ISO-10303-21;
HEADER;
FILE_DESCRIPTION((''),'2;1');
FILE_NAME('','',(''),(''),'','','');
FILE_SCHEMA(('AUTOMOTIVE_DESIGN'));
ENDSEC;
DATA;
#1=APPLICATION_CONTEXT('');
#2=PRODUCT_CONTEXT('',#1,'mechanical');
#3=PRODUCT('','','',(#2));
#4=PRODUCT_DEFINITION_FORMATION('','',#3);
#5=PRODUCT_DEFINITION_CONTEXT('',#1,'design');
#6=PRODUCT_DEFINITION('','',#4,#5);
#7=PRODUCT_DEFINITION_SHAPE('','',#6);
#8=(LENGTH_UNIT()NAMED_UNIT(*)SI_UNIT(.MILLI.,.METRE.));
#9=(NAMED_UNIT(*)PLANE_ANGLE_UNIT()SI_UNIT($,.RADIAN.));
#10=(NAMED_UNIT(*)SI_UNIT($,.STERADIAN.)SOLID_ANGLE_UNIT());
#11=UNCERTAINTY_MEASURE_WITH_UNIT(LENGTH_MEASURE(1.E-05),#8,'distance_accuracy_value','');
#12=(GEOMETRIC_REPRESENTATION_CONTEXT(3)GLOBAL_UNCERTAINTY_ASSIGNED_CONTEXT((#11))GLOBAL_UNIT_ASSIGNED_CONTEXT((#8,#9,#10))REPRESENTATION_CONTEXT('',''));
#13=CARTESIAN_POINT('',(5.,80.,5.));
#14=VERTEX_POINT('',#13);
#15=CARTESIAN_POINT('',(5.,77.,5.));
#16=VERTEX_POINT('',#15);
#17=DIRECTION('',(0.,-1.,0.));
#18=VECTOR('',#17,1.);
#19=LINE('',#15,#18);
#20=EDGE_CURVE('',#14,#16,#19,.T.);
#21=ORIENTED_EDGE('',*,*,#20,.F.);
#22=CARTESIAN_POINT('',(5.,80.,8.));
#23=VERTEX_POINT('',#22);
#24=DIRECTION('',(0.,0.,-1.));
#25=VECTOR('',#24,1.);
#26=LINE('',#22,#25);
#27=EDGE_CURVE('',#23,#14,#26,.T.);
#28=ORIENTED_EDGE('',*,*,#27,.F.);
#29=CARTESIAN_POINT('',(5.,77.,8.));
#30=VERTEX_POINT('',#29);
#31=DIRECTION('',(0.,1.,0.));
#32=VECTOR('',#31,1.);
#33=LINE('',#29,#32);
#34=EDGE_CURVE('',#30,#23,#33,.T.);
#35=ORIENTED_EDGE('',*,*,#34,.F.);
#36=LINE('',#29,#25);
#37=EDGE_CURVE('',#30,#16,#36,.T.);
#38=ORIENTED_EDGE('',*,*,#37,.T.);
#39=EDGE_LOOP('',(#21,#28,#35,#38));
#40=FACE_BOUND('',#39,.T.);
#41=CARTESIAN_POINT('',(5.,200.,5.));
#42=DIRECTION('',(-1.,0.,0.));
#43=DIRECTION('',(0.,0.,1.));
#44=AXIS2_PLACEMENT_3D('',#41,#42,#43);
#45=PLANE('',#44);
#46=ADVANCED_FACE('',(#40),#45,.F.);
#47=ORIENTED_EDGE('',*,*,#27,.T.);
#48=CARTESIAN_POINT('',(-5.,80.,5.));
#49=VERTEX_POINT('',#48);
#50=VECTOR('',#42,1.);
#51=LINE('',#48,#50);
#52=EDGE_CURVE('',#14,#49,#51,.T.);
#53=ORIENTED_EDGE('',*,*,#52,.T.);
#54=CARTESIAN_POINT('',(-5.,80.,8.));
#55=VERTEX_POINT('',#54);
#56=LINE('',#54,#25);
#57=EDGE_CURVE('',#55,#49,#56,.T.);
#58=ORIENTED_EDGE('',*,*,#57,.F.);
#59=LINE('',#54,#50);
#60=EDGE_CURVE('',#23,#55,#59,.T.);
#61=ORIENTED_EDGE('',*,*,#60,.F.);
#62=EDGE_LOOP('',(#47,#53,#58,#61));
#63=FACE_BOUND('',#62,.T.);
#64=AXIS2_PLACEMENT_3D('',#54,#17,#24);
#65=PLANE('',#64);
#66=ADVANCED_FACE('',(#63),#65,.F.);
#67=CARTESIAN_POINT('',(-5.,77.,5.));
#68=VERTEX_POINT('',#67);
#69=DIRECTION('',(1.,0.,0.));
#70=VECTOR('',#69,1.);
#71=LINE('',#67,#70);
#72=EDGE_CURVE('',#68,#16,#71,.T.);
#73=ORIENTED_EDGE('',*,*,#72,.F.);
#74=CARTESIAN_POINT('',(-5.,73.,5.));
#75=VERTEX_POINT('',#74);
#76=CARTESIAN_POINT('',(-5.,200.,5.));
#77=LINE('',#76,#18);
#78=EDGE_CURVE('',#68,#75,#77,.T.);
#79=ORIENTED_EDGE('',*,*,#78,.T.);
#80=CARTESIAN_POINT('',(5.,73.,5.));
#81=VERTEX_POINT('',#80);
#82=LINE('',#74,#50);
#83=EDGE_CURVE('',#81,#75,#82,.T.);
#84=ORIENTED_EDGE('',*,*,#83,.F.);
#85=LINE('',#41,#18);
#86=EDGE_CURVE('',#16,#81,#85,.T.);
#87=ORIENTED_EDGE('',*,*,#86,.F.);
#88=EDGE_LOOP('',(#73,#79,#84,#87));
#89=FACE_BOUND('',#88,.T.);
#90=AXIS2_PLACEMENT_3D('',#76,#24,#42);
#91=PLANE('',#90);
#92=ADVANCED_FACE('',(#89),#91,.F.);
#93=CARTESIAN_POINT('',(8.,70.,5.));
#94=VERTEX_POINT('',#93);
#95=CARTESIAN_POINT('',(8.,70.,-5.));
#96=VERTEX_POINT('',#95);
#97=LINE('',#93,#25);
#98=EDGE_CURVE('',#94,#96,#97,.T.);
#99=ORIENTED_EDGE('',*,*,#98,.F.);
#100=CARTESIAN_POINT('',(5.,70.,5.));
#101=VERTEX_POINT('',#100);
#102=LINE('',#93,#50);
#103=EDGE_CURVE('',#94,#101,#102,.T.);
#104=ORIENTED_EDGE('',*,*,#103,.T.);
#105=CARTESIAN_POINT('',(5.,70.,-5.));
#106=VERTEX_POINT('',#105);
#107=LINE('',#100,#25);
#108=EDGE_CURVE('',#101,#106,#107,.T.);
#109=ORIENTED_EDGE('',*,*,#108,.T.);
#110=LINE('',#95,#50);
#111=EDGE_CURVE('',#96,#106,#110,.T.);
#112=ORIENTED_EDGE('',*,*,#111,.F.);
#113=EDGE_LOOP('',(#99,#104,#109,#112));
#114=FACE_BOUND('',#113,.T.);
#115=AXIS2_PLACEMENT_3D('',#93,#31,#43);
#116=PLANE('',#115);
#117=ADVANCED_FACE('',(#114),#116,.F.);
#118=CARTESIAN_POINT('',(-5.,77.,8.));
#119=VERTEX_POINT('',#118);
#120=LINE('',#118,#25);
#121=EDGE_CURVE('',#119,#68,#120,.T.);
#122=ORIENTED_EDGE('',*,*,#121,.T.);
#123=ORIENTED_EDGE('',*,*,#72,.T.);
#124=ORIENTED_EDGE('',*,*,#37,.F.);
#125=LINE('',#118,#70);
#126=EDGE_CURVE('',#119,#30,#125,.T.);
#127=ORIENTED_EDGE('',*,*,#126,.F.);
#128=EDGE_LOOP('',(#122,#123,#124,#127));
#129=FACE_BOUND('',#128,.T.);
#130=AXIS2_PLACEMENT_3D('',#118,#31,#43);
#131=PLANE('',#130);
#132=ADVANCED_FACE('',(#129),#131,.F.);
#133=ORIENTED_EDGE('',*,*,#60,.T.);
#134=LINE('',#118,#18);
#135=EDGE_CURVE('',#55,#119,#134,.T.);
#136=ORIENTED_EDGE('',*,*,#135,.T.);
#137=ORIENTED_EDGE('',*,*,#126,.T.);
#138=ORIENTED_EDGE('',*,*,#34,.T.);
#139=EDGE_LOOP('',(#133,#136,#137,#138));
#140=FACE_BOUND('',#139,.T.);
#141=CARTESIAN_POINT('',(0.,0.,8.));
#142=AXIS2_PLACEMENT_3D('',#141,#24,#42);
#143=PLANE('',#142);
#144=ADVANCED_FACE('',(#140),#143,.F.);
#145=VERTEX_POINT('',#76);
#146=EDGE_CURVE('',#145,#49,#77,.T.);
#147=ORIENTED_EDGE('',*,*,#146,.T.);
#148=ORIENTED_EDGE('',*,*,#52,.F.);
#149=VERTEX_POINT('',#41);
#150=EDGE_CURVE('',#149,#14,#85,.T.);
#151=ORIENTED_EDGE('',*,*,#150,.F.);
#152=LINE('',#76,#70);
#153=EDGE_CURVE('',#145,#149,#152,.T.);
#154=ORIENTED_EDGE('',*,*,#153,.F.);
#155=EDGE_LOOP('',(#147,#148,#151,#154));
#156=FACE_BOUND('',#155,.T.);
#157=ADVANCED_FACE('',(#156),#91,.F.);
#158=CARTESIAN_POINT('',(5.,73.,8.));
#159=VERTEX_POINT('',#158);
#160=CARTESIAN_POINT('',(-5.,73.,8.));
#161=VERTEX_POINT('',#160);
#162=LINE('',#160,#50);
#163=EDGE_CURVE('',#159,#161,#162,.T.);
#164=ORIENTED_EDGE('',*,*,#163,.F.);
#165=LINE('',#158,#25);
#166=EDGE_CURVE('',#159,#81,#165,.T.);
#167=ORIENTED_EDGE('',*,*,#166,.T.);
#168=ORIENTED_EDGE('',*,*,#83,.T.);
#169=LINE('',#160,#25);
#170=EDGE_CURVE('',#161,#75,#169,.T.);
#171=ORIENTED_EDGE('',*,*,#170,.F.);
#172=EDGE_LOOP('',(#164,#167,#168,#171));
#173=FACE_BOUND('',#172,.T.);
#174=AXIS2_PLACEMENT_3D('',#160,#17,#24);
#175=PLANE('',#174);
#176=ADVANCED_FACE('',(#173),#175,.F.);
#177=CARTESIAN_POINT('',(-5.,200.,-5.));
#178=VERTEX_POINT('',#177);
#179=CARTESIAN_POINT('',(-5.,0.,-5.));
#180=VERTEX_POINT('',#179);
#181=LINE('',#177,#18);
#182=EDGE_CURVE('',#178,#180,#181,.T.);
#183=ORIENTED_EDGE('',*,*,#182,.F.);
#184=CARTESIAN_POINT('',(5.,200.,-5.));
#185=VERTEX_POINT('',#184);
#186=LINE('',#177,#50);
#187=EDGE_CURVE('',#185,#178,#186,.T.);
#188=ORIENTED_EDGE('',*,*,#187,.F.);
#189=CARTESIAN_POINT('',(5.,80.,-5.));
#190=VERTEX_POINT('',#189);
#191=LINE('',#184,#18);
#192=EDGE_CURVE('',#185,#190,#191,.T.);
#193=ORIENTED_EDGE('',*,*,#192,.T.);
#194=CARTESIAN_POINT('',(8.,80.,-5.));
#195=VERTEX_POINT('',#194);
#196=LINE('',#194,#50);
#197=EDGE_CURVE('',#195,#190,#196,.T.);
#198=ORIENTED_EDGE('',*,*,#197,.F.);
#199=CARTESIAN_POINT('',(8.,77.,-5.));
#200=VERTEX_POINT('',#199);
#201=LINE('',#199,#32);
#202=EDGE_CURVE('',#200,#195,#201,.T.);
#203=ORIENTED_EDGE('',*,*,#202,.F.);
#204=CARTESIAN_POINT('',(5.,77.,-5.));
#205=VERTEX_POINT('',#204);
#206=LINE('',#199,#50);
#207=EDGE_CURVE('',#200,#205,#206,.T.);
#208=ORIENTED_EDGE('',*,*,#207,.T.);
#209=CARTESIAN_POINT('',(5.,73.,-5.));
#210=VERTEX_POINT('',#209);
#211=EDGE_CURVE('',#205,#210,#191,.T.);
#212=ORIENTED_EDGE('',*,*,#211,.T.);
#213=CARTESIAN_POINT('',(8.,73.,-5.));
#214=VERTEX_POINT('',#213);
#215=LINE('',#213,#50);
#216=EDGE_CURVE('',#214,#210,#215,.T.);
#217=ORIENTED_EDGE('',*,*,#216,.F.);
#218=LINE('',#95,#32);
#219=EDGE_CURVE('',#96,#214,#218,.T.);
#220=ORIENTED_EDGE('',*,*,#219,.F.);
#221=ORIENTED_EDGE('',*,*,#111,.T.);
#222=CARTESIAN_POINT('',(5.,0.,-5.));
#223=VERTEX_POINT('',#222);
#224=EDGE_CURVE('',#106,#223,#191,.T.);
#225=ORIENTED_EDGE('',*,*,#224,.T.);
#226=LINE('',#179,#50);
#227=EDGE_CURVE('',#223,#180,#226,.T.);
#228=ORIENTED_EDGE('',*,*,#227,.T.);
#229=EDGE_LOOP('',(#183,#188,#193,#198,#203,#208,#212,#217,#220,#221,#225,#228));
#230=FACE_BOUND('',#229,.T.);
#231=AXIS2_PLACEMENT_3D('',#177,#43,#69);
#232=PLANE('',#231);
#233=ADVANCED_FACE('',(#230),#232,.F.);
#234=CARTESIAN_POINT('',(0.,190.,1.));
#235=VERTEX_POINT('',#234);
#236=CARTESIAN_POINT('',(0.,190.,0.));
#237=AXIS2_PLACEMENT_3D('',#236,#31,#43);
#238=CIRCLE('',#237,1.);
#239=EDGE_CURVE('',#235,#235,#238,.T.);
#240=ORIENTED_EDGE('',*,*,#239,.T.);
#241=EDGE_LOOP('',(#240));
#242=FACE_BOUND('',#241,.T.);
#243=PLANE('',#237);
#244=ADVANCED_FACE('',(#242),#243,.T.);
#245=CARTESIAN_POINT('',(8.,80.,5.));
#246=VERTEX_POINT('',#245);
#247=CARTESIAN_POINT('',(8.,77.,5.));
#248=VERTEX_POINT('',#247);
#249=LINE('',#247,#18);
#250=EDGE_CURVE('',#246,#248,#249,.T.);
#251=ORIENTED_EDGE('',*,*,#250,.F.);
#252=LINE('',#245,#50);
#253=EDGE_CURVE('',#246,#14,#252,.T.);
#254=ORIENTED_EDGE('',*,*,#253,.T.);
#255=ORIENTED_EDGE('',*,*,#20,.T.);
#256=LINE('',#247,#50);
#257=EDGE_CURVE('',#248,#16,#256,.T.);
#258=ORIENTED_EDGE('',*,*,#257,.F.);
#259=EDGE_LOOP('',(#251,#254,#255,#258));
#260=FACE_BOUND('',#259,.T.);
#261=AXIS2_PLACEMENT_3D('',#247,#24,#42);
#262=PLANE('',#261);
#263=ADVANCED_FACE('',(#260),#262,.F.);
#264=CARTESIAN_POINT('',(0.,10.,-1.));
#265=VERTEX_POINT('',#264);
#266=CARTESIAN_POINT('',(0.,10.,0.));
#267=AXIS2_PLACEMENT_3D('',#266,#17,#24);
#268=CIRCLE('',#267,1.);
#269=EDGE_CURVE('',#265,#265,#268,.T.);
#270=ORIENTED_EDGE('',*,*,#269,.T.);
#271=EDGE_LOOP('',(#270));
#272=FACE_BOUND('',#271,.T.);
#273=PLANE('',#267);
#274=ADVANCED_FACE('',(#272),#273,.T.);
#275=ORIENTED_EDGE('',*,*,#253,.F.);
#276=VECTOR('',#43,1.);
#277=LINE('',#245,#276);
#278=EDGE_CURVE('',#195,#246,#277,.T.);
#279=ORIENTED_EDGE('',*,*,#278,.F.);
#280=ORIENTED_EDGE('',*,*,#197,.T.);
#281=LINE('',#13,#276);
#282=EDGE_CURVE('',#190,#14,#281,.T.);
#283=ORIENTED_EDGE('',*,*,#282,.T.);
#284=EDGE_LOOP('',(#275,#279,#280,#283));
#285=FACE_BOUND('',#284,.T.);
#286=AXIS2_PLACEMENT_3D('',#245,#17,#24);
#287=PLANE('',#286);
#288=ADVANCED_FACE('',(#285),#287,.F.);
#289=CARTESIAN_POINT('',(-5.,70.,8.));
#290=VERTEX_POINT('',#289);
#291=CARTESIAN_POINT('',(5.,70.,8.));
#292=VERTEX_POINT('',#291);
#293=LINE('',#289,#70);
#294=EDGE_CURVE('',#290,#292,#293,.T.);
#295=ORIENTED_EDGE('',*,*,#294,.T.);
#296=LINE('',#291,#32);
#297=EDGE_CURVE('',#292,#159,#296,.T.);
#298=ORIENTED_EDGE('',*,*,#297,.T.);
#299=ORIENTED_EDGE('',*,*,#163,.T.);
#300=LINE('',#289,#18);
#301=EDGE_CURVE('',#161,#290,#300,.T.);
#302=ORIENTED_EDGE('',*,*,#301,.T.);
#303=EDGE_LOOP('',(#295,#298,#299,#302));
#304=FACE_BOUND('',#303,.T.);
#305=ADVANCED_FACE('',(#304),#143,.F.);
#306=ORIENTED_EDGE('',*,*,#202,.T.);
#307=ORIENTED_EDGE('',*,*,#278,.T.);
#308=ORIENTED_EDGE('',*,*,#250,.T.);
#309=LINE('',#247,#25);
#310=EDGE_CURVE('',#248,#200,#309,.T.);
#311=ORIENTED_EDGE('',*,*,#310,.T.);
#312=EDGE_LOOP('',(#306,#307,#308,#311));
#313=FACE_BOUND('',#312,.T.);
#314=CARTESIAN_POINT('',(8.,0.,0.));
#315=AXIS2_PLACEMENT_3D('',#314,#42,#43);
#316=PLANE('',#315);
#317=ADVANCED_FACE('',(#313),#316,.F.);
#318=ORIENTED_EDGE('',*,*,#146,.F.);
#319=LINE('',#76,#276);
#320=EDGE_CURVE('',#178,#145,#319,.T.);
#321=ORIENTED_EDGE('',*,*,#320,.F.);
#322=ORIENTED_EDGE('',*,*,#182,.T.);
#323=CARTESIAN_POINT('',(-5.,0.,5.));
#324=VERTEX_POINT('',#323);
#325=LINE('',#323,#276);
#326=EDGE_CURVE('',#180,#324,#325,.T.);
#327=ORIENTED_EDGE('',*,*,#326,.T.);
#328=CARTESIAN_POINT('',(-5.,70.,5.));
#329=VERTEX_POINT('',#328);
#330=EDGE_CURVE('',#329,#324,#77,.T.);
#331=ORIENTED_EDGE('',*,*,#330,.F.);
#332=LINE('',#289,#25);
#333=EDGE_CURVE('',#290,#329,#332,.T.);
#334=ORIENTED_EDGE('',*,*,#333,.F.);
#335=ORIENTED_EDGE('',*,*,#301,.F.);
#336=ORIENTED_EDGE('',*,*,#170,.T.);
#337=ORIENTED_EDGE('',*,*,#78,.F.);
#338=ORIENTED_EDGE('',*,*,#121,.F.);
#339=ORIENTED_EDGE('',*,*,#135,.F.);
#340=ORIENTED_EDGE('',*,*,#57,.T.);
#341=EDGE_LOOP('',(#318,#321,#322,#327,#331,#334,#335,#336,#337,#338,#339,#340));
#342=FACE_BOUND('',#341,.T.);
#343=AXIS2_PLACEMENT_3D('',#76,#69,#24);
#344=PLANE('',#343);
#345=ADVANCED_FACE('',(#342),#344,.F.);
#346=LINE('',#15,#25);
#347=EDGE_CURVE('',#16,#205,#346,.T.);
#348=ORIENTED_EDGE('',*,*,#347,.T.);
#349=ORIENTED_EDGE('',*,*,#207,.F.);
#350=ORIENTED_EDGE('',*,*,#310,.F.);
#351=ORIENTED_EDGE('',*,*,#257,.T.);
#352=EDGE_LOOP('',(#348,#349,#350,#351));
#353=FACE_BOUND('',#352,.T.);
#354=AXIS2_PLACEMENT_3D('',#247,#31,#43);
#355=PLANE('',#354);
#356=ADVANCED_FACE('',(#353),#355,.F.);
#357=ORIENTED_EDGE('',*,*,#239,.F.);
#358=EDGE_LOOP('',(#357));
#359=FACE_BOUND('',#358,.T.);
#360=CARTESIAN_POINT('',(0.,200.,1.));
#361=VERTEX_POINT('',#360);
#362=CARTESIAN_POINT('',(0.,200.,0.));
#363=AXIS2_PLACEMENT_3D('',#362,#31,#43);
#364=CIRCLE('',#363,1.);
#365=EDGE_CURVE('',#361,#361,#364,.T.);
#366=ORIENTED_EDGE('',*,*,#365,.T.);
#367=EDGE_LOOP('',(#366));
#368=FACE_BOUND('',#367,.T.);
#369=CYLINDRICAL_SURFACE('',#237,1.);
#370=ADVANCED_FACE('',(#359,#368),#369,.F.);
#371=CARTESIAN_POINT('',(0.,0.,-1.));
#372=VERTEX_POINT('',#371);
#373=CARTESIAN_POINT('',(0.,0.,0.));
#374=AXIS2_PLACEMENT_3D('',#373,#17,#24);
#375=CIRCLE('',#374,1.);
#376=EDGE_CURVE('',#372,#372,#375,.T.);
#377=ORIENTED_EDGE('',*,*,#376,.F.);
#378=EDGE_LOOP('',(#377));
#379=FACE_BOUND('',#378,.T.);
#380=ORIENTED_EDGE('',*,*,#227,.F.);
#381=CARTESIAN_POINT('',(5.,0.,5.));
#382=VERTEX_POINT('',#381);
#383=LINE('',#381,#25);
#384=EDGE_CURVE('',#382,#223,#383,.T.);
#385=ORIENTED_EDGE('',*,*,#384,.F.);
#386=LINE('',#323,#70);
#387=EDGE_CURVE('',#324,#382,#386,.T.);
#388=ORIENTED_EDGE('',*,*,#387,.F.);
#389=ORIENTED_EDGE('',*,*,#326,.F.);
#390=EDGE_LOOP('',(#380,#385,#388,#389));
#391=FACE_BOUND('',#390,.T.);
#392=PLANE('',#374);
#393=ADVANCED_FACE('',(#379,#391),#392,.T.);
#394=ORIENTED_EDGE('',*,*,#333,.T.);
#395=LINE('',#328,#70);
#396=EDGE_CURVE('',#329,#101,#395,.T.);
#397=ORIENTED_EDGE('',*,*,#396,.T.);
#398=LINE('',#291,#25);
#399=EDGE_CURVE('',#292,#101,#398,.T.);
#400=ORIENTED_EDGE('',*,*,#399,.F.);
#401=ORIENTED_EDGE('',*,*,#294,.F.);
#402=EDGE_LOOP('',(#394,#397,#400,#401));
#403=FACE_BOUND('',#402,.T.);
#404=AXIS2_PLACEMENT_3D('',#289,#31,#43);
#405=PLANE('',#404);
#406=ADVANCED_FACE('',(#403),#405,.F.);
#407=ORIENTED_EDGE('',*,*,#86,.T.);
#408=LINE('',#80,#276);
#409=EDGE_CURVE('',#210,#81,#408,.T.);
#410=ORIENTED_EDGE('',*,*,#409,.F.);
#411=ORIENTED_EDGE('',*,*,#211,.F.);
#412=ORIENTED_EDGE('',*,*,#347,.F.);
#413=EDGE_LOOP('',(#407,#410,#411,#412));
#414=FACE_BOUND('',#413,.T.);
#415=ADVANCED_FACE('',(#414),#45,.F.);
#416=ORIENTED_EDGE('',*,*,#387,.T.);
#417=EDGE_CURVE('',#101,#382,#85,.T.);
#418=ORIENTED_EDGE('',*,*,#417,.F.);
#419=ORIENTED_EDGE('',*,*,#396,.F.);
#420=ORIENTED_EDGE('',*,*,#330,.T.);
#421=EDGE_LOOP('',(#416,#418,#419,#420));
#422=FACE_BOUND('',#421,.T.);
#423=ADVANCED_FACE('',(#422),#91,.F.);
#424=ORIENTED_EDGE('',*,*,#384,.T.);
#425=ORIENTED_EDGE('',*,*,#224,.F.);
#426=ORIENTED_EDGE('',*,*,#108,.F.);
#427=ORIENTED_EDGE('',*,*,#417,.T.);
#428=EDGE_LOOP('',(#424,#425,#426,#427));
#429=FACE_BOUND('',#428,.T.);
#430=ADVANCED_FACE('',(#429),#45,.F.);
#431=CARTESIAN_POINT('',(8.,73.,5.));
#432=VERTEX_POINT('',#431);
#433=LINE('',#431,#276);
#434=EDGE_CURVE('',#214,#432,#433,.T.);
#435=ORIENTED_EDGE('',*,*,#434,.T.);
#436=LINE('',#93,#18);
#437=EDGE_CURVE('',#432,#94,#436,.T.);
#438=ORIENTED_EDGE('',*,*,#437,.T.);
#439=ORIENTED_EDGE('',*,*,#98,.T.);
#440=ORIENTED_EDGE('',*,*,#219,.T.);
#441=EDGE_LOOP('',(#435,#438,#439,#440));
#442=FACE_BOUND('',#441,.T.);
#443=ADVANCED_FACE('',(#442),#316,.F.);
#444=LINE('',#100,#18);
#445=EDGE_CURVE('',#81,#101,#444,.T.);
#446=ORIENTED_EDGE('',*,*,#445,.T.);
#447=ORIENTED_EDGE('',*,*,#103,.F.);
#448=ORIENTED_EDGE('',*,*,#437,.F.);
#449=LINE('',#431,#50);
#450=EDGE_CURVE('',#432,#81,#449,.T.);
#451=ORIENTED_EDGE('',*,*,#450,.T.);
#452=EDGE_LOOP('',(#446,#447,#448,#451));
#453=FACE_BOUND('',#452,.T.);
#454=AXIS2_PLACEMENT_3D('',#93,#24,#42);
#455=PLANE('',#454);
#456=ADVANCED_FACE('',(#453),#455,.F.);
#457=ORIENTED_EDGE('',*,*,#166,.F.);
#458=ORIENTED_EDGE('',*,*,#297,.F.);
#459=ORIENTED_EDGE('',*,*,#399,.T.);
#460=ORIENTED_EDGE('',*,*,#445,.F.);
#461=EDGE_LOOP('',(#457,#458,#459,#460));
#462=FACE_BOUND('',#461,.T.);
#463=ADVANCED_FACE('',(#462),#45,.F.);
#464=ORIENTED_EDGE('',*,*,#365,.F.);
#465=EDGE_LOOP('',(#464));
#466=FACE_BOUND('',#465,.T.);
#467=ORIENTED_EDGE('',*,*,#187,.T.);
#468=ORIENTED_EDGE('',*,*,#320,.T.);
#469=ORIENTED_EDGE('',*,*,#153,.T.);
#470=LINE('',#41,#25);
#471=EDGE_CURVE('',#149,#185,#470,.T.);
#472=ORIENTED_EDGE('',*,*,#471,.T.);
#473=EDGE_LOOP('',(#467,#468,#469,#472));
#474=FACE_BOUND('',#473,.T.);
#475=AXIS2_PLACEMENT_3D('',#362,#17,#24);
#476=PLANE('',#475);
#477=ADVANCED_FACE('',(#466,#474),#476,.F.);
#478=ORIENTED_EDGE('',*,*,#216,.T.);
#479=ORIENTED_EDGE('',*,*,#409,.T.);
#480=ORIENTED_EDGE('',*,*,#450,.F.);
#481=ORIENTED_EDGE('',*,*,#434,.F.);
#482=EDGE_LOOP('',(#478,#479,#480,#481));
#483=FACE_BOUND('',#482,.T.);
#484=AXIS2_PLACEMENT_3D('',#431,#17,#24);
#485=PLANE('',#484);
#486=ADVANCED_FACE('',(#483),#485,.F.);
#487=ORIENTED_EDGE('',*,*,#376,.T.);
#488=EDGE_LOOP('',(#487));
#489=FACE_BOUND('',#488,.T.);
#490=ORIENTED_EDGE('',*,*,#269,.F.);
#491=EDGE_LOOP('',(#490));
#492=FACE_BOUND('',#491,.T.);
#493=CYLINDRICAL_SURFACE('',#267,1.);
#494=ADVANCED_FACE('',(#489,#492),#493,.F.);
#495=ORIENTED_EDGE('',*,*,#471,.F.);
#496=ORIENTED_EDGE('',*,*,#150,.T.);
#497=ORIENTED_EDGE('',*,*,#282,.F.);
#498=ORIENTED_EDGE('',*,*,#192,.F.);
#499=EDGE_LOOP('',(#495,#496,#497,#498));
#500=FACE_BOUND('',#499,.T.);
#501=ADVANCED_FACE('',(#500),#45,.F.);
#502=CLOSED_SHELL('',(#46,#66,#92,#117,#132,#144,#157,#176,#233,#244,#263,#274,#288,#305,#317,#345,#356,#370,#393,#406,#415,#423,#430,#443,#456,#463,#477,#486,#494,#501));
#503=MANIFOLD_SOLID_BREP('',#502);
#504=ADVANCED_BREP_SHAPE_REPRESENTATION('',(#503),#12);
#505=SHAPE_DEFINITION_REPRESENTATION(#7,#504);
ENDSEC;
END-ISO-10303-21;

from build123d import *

# Parameters (mm, degrees)
SZKIC1_W                    = 10
SZKIC1_H                    = 10
DODANIE_WYCI_GNI_CIE1_DEPTH = 200
SZKIC2_R                    = 1
WYTNIJ_WYCI_GNI_CIE1_DEPTH  = 10
WYTNIJ_WYCI_GNI_CIE2_START  = -10
SZKIC3_R                    = 1
WYTNIJ_WYCI_GNI_CIE2_DEPTH  = 10
SZKIC4_W                    = 10
SZKIC4_H                    = 3
DODANIE_WYCI_GNI_CIE2_DEPTH = 3
SZKIC6_W                    = 10
SZKIC6_H                    = 3
DODANIE_WYCI_GNI_CIE3_DEPTH = 3


with BuildPart() as part:
    # Szkic1 → Dodanie-wyciągnięcie1 (new body)
    with BuildSketch(Plane(origin=(0, 0, 0), x_dir=(1, 0, 0), z_dir=(0, 1, 0))):
        Rectangle(SZKIC1_W, SZKIC1_H)
    extrude(amount=DODANIE_WYCI_GNI_CIE1_DEPTH)

    # Szkic2 → Wytnij-wyciągnięcie1 (cut)
    with BuildSketch(Plane(origin=(0, 200, 0), x_dir=(1, 0, 0), z_dir=(0, 1, 0))):
        with Locations(Location((0, 0, 0), (0, 0, 270))):
            Circle(SZKIC2_R)
    extrude(amount=-WYTNIJ_WYCI_GNI_CIE1_DEPTH, mode=Mode.SUBTRACT)

    # Szkic3 → Wytnij-wyciągnięcie2 (cut)
    with BuildSketch(Plane.XZ.offset(WYTNIJ_WYCI_GNI_CIE2_START)):
        with Locations(Location((0, 0, 0), (0, 0, 90))):
            Circle(SZKIC3_R)
    extrude(amount=WYTNIJ_WYCI_GNI_CIE2_DEPTH, mode=Mode.SUBTRACT)

    # Szkic4 → Dodanie-wyciągnięcie2 (add)
    with BuildSketch(Plane.XY.offset(5)):
        with Locations((0, 71.5)):
            Rectangle(SZKIC4_W, SZKIC4_H)
        with Locations((0, 78.5)):
            Rectangle(SZKIC4_W, SZKIC4_H)
    extrude(amount=DODANIE_WYCI_GNI_CIE2_DEPTH)

    # Szkic6 → Dodanie-wyciągnięcie3 (add)
    with BuildSketch(Plane(origin=(5, 0, 0), x_dir=(0, 0, -1), z_dir=(1, 0, 0))):
        with Locations((0, 71.5)):
            Rectangle(SZKIC6_W, SZKIC6_H)
        with Locations((0, 78.5)):
            Rectangle(SZKIC6_W, SZKIC6_H)
    extrude(amount=DODANIE_WYCI_GNI_CIE3_DEPTH)


solid = part.part
